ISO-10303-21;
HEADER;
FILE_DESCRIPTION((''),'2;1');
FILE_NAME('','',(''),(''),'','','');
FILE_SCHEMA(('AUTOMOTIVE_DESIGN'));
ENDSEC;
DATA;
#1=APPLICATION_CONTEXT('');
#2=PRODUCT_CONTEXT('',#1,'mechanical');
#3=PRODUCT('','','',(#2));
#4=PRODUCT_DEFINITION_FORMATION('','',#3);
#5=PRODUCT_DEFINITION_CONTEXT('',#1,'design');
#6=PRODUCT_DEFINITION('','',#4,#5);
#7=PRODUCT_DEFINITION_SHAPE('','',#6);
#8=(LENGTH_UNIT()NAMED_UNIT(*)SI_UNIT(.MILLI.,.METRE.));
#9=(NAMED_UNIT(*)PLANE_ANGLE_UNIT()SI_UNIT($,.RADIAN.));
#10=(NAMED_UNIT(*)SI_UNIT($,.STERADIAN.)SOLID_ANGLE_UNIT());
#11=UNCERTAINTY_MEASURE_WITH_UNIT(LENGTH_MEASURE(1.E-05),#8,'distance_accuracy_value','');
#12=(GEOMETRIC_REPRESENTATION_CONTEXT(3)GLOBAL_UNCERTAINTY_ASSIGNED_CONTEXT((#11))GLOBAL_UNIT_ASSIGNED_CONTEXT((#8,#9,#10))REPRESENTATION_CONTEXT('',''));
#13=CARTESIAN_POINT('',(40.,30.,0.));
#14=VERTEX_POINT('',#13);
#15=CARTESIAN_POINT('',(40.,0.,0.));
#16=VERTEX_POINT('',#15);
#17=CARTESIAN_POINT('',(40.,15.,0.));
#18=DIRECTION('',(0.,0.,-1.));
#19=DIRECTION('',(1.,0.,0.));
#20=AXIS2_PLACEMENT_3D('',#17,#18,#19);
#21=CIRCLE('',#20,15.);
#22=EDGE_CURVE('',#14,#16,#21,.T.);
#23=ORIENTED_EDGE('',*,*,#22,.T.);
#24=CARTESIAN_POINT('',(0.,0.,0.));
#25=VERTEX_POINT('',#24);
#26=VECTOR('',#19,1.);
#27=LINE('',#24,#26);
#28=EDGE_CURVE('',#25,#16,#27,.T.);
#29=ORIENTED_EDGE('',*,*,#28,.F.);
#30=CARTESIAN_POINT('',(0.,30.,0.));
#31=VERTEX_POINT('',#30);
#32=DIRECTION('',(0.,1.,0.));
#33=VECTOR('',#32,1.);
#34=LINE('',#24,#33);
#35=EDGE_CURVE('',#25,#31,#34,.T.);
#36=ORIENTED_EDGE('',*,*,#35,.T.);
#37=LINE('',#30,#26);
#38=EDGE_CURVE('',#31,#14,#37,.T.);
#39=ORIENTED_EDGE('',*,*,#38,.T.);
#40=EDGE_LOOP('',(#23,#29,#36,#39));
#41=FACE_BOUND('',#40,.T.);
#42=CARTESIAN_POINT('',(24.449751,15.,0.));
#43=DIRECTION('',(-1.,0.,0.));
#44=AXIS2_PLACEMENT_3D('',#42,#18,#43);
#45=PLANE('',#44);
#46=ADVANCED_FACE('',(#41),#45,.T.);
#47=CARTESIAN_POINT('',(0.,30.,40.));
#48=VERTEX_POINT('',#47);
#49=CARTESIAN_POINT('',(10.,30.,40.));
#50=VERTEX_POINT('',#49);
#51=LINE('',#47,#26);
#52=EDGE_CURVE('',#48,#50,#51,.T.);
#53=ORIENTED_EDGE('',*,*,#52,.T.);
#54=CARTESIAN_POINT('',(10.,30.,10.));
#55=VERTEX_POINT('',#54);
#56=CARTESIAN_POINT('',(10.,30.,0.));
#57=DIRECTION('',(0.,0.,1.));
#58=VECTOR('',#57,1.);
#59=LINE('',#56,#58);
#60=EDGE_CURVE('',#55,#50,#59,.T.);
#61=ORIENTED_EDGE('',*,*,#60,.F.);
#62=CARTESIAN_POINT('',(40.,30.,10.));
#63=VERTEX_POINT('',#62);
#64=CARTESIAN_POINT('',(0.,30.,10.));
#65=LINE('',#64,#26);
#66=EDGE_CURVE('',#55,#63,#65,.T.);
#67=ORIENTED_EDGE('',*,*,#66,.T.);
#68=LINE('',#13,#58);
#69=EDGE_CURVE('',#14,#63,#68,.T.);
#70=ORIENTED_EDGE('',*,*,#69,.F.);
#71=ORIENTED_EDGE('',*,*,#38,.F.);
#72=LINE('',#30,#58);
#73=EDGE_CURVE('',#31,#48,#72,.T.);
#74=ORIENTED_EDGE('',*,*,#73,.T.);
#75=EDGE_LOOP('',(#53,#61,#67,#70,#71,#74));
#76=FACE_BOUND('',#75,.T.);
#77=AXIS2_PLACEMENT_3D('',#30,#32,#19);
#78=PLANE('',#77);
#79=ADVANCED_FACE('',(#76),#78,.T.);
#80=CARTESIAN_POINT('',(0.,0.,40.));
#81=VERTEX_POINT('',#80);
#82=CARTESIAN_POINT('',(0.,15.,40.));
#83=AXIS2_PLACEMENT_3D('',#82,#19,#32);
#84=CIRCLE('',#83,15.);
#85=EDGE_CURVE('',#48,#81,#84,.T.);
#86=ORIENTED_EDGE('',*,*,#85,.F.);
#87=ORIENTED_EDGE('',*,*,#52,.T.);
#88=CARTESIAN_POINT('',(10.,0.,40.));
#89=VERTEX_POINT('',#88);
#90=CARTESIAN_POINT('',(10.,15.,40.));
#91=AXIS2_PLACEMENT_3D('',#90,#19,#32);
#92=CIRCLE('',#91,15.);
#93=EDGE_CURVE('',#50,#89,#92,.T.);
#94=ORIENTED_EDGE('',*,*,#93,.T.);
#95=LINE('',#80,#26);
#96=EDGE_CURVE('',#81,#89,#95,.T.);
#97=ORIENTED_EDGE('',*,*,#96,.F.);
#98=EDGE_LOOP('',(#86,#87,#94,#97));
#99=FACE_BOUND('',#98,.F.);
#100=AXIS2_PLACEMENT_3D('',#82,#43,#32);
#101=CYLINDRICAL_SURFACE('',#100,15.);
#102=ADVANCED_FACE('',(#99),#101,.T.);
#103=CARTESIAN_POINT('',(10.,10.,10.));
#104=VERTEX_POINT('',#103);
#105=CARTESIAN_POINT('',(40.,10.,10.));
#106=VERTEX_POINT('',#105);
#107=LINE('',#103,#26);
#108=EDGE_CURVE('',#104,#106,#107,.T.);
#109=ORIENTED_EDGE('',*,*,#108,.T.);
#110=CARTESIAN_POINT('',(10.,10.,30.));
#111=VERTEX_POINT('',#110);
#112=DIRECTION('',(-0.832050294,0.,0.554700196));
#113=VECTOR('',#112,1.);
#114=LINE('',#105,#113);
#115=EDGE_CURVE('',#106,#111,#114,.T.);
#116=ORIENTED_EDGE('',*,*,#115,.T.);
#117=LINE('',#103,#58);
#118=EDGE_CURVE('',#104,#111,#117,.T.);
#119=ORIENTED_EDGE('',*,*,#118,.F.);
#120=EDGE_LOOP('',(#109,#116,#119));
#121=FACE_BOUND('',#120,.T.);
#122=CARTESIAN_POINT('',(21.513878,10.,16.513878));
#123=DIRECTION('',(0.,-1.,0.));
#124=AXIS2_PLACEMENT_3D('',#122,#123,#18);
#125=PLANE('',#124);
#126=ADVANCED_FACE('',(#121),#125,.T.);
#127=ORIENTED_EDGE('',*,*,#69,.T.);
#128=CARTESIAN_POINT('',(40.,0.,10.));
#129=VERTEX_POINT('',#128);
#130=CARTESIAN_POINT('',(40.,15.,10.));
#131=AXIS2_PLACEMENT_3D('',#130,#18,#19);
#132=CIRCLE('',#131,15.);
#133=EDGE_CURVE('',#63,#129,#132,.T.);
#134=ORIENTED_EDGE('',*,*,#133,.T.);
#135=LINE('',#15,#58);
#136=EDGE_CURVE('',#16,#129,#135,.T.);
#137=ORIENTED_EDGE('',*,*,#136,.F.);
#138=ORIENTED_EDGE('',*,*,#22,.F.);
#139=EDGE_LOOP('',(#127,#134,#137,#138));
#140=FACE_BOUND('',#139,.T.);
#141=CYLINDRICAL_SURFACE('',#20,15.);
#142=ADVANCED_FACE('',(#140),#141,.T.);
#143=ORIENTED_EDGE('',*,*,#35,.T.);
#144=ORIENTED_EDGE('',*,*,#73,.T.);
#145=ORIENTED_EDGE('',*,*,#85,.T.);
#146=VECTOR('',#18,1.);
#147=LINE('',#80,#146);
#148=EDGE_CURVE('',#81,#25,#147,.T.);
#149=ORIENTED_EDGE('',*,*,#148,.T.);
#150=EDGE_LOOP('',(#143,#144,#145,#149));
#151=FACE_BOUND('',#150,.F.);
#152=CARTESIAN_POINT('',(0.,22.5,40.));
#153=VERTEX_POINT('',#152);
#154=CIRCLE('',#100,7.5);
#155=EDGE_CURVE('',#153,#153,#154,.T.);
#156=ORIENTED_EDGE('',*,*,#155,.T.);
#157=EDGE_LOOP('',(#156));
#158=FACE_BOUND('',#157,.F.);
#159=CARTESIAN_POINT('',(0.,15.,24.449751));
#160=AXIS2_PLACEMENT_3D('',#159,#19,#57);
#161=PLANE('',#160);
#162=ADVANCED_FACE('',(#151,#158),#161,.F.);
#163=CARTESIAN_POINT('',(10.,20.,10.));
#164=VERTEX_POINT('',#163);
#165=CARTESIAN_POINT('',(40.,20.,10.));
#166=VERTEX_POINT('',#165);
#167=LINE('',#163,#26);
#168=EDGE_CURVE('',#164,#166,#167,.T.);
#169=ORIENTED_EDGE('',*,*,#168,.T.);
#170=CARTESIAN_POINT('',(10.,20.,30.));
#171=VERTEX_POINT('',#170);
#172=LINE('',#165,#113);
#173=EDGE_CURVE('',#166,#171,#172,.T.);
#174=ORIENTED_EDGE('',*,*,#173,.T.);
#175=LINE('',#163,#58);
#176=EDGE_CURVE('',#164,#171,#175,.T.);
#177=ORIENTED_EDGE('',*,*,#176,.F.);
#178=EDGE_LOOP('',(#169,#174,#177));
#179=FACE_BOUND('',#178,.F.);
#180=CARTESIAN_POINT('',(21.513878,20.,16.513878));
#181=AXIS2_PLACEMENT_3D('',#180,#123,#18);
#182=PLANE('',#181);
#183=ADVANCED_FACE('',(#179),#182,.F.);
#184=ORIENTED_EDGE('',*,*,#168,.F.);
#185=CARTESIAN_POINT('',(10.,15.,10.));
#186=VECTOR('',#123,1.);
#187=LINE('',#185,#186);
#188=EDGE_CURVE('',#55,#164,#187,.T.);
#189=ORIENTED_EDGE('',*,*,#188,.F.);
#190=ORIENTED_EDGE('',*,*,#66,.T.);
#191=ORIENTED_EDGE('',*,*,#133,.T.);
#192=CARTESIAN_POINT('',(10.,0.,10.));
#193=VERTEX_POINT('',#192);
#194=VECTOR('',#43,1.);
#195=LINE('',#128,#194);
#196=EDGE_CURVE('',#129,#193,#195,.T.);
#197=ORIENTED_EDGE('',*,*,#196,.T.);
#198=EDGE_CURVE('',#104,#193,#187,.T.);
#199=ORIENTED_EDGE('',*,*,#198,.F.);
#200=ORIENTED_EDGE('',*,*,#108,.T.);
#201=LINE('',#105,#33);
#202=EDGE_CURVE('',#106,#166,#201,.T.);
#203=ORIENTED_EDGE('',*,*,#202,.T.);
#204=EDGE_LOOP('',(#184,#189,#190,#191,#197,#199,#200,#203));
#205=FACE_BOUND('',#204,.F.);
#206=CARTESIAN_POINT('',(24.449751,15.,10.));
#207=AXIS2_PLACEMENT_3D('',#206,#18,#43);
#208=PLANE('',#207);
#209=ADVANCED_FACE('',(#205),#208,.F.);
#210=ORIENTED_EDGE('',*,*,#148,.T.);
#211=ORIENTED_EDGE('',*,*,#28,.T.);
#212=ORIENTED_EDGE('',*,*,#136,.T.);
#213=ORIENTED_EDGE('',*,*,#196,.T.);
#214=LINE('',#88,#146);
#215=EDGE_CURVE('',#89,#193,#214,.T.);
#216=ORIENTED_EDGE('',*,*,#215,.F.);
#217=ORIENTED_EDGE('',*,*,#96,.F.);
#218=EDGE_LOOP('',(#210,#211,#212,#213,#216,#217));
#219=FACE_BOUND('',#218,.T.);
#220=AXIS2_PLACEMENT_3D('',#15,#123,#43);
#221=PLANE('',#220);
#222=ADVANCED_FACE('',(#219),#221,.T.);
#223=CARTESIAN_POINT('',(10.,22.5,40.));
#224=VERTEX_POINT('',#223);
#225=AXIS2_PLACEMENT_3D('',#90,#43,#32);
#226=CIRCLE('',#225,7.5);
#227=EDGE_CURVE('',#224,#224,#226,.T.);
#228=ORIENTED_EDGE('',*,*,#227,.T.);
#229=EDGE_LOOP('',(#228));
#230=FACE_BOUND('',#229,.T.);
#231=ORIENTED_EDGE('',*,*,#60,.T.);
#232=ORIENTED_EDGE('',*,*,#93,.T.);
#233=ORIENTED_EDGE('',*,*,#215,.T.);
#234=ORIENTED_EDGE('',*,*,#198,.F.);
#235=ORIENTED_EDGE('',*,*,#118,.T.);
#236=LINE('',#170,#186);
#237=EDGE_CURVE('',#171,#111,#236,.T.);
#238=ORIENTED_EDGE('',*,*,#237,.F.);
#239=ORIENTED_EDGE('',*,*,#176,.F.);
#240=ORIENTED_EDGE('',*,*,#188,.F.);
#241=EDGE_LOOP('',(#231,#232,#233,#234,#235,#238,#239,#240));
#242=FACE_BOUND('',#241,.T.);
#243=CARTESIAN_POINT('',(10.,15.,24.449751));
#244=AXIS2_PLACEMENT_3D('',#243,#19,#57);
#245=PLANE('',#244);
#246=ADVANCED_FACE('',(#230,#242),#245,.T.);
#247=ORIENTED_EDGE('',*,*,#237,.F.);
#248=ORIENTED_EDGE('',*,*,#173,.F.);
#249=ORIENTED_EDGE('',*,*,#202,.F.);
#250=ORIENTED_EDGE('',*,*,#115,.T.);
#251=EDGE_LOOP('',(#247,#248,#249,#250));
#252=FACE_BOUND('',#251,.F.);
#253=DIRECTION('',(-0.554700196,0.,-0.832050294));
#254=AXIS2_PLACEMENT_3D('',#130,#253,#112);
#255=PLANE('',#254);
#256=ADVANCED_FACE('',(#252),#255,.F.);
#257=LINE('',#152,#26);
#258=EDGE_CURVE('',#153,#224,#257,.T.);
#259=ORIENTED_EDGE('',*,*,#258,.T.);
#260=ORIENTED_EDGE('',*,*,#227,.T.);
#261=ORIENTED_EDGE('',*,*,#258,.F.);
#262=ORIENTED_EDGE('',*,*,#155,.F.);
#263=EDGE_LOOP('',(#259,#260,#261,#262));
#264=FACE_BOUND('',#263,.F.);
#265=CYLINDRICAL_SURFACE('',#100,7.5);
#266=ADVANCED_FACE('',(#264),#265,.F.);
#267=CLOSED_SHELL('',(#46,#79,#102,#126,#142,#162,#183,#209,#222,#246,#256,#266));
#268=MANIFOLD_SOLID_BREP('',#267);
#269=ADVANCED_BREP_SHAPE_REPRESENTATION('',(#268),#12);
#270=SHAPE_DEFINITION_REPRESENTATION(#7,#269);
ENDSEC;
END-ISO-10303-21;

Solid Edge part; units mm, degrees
sketch "Sketch1" plane through (0, 0, 0) normal (0, 0, 1) x (1, 0, 0)
  line L0 (40, 0) -> (0, 0)
  line L1 (0, 0) -> (0, 30)
  line L2 (0, 30) -> (40, 30)
  arc A0 (40, 30) -> (40, 0) centre (40, 15) cw
extrude "Protrusion1" add sketch "Sketch1" along normal blind 10
sketch "Sketch2" plane through (0, 15, 5) normal (-1, 0, 0) x (0, 1, 0)
  line L0 (-15, -35) -> (-15, 5)
  line L1 (-15, 5) -> (15, 5)
  line L2 (15, 5) -> (15, -35)
  arc A0 (15, -35) -> (-15, -35) centre (0, -35) cw
  circle A1 centre (0, -35) radius 7.5
extrude "ExtrudedCutout_2" cut sketch "Sketch2" against normal blind 10
sketch "Sketch3" plane through (0, 15, 5) normal (-1, 0, 0) x (0, 1, 0)
  line L0 (-15, -35) -> (-15, 5)
  line L1 (-15, 5) -> (15, 5)
  line L2 (15, 5) -> (15, -35)
  arc A0 (15, -35) -> (-15, -35) centre (0, -35) cw
  circle A1 centre (0, -35) radius 7.5
extrude "ExtrudedProtrusion_3" add sketch "Sketch3" against normal blind 10
sketch "Sketch4" plane through (0, 15, 0) normal (0, -1, 0) x (1, 0, 0)
  line L0 (40, 10) -> (10, 30)
  line L1 (10, 10) -> (10, 30)
  line L2 (10, 10) -> (40, 10)
extrude "ExtrudedProtrusion_8" add sketch "Sketch4" along normal mid plane 10
